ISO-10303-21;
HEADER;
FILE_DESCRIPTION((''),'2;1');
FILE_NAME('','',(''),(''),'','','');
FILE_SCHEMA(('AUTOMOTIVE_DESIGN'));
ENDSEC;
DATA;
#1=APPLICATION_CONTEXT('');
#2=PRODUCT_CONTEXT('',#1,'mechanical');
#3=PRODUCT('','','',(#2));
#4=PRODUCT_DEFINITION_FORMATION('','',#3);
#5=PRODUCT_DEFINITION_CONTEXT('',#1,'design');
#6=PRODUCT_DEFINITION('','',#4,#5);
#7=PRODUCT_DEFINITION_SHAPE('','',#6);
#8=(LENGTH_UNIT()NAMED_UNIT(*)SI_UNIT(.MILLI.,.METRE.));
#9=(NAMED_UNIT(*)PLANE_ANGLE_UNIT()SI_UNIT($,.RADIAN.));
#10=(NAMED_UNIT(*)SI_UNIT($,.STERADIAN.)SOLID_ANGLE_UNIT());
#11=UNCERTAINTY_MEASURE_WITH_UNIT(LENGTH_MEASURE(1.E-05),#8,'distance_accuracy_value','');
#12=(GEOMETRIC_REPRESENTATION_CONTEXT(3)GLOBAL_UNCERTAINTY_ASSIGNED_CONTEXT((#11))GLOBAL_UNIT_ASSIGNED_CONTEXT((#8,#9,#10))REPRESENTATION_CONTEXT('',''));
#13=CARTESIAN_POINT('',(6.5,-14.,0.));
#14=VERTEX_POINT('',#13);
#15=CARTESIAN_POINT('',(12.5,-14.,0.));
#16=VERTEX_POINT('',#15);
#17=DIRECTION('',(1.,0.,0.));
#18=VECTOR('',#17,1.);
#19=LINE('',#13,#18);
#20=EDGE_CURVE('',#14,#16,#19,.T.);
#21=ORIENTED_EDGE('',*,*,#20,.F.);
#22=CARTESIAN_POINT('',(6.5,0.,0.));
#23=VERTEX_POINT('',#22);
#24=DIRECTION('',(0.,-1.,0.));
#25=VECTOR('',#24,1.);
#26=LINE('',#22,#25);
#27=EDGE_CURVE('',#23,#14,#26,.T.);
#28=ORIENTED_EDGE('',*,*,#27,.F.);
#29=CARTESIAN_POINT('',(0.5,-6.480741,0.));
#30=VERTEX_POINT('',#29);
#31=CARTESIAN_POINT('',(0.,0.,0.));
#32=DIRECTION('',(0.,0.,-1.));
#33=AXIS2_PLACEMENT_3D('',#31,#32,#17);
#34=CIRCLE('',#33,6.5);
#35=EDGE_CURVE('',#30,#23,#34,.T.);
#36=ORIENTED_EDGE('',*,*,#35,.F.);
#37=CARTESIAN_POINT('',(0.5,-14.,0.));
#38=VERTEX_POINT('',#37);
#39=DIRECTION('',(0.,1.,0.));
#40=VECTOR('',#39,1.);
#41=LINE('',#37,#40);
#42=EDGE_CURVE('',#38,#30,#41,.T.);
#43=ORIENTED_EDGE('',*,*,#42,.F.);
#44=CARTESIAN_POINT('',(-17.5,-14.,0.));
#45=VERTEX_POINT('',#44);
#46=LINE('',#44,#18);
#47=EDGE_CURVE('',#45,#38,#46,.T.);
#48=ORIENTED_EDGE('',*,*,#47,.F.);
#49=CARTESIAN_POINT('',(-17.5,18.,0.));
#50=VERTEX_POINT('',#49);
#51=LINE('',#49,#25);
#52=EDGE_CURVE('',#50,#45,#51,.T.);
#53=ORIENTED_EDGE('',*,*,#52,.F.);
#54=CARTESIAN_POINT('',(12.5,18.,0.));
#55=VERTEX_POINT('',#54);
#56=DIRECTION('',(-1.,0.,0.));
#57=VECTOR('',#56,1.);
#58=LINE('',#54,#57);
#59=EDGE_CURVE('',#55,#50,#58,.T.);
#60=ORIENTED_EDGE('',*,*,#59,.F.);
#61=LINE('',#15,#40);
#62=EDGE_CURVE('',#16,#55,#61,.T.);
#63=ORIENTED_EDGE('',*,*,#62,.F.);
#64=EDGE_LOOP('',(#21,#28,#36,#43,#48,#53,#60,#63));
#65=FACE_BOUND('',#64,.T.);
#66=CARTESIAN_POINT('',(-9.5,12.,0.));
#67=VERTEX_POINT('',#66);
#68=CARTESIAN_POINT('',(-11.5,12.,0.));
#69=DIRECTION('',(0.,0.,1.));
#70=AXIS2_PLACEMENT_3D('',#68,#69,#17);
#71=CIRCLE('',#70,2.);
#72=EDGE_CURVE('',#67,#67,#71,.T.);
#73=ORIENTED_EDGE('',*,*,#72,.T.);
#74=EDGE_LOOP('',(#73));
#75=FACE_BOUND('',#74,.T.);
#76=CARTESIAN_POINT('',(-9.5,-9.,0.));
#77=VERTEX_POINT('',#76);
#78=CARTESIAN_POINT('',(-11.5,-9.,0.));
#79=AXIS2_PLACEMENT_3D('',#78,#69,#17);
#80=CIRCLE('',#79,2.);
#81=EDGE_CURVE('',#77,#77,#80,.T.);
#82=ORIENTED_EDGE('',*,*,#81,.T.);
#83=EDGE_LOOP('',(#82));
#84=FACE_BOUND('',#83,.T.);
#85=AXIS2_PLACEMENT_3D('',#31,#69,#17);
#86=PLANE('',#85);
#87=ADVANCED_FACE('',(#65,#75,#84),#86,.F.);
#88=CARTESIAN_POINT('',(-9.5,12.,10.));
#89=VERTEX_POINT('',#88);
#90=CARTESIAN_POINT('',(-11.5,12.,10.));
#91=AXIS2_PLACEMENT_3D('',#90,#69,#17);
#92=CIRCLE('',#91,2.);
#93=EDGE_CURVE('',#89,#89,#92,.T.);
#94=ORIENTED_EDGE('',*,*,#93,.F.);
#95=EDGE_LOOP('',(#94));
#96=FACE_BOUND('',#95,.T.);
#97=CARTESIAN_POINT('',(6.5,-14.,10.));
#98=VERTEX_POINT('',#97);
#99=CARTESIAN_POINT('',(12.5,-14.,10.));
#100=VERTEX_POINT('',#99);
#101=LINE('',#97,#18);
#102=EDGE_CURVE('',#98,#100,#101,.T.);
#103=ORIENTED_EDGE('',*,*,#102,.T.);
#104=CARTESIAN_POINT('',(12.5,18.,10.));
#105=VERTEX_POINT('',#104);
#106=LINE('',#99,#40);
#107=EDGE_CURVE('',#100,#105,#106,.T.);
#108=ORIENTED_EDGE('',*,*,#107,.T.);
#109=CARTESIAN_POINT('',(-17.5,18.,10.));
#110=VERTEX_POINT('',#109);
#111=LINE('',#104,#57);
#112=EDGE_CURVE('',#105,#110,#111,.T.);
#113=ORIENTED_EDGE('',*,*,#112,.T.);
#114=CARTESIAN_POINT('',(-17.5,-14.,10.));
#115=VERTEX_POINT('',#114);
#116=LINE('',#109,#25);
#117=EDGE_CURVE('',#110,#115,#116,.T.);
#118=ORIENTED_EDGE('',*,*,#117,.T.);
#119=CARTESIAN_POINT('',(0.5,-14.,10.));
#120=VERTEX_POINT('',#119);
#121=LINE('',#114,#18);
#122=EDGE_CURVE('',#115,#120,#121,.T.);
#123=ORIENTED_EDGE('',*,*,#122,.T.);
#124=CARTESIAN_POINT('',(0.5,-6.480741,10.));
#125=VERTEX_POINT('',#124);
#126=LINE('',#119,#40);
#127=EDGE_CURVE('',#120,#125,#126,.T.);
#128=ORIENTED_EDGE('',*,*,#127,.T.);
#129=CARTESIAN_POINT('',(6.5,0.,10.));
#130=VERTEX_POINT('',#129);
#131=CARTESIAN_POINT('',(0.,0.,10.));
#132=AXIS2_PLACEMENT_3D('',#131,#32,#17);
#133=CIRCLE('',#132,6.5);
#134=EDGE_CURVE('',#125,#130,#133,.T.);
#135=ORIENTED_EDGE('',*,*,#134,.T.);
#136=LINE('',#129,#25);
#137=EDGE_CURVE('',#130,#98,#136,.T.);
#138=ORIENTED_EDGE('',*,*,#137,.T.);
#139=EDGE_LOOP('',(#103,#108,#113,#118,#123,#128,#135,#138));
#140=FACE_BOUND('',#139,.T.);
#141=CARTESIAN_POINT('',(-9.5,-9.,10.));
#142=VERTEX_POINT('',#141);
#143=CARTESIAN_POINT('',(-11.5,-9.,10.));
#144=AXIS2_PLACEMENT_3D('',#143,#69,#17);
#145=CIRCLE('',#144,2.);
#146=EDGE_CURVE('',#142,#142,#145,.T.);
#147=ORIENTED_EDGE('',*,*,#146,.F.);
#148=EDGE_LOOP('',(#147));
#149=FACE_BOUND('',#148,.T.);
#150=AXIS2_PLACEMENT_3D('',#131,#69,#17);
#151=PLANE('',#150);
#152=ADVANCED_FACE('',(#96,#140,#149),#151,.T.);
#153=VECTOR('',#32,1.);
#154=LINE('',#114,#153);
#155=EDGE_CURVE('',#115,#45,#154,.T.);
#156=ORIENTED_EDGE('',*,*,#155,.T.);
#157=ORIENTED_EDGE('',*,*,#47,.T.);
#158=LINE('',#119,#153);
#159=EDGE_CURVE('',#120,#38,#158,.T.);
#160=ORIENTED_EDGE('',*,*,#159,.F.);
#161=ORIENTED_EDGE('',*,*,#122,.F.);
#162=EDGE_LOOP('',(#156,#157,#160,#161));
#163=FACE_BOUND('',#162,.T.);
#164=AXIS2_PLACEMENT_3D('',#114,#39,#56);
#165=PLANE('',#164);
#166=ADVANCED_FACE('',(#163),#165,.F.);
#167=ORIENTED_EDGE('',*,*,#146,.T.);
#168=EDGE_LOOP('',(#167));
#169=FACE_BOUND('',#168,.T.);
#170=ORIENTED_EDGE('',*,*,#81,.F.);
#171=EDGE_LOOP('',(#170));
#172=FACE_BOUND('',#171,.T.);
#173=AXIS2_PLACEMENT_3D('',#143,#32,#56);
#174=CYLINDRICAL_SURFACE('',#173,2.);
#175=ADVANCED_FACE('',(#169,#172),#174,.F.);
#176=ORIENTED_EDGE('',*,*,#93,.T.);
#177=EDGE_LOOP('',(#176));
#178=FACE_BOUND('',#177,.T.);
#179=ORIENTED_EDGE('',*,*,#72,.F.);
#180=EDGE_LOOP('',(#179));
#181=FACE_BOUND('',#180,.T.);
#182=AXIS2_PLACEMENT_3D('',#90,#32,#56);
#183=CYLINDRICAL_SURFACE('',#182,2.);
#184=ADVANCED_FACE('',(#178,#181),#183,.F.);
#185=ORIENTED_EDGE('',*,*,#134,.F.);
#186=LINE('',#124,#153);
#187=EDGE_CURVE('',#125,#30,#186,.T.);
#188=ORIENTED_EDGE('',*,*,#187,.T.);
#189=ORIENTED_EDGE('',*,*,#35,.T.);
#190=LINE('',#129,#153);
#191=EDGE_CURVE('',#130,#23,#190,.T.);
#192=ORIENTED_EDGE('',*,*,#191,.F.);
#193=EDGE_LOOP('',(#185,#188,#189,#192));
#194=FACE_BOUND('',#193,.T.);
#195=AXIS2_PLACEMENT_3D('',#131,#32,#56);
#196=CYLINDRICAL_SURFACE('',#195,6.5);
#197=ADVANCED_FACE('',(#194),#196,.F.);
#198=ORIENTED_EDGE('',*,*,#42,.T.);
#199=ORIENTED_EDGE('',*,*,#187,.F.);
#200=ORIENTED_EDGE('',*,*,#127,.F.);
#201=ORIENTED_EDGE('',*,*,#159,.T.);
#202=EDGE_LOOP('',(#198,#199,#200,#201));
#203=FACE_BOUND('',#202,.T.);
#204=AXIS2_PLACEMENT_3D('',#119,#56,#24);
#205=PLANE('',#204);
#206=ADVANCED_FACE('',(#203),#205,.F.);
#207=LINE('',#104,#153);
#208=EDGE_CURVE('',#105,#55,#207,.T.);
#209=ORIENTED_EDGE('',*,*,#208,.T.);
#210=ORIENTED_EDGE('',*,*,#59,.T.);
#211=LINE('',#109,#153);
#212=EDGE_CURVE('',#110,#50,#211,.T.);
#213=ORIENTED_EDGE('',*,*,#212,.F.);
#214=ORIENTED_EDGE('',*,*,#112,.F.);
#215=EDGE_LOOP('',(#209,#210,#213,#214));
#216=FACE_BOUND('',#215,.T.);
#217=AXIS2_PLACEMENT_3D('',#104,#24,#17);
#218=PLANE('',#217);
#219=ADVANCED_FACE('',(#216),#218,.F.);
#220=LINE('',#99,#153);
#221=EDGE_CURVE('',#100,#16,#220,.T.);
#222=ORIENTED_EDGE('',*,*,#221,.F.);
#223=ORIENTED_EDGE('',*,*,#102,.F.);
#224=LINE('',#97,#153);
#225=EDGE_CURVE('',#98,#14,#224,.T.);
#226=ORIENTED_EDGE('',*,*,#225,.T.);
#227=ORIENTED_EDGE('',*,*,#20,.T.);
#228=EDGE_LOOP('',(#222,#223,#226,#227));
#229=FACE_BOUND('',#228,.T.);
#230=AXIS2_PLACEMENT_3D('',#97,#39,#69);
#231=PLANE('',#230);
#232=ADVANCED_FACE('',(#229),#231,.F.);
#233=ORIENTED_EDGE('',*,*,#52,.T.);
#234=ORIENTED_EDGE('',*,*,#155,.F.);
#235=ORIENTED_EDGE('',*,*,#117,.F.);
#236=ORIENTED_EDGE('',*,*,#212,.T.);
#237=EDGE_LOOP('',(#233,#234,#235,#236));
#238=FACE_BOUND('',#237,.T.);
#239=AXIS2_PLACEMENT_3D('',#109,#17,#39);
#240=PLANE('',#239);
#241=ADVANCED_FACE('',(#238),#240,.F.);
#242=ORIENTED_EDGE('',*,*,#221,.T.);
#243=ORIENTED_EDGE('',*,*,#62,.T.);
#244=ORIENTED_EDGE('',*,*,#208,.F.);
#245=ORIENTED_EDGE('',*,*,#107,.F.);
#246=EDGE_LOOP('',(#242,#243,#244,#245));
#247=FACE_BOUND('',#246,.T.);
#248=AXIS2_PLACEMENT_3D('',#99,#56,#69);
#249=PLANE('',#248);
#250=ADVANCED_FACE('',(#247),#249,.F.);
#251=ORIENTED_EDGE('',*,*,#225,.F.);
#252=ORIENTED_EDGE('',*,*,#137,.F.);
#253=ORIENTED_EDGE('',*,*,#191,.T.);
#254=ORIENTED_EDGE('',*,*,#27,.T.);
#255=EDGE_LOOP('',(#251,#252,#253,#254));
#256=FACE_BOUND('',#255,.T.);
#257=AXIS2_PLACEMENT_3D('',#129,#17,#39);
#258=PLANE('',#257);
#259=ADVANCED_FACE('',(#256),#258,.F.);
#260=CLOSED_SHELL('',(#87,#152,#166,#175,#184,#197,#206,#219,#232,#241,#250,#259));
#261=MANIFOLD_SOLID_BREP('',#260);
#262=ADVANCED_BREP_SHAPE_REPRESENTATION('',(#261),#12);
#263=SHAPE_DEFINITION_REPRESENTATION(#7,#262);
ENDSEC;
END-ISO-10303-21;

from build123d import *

# Parameters (mm, degrees)
SKETCH_2_R      = 2
EXTRUDE_1_DEPTH = 10


with BuildPart() as part:
    # Эскиз2 → Бобышка-Вытянуть1 (new body)
    with BuildSketch(Plane.XY):
        with BuildLine():
            Line((6.5, 0), (6.5, -14))
            Line((6.5, -14), (12.5, -14))
            Line((12.5, -14), (12.5, 18))
            Line((12.5, 18), (-17.5, 18))
            Line((-17.5, 18), (-17.5, -14))
            Line((-17.5, -14), (0.5, -14))
            Line((0.5, -14), (0.5, -6.480740698))
            ThreePointArc((0.5, -6.480740698), (-4.769696007, 4.415880433), (6.5, 0))
        make_face()
        with Locations((-11.5, 12)):
            Circle(SKETCH_2_R, mode=Mode.SUBTRACT)
        with Locations((-11.5, -9)):
            Circle(SKETCH_2_R, mode=Mode.SUBTRACT)
    extrude(amount=EXTRUDE_1_DEPTH)


solid = part.part
